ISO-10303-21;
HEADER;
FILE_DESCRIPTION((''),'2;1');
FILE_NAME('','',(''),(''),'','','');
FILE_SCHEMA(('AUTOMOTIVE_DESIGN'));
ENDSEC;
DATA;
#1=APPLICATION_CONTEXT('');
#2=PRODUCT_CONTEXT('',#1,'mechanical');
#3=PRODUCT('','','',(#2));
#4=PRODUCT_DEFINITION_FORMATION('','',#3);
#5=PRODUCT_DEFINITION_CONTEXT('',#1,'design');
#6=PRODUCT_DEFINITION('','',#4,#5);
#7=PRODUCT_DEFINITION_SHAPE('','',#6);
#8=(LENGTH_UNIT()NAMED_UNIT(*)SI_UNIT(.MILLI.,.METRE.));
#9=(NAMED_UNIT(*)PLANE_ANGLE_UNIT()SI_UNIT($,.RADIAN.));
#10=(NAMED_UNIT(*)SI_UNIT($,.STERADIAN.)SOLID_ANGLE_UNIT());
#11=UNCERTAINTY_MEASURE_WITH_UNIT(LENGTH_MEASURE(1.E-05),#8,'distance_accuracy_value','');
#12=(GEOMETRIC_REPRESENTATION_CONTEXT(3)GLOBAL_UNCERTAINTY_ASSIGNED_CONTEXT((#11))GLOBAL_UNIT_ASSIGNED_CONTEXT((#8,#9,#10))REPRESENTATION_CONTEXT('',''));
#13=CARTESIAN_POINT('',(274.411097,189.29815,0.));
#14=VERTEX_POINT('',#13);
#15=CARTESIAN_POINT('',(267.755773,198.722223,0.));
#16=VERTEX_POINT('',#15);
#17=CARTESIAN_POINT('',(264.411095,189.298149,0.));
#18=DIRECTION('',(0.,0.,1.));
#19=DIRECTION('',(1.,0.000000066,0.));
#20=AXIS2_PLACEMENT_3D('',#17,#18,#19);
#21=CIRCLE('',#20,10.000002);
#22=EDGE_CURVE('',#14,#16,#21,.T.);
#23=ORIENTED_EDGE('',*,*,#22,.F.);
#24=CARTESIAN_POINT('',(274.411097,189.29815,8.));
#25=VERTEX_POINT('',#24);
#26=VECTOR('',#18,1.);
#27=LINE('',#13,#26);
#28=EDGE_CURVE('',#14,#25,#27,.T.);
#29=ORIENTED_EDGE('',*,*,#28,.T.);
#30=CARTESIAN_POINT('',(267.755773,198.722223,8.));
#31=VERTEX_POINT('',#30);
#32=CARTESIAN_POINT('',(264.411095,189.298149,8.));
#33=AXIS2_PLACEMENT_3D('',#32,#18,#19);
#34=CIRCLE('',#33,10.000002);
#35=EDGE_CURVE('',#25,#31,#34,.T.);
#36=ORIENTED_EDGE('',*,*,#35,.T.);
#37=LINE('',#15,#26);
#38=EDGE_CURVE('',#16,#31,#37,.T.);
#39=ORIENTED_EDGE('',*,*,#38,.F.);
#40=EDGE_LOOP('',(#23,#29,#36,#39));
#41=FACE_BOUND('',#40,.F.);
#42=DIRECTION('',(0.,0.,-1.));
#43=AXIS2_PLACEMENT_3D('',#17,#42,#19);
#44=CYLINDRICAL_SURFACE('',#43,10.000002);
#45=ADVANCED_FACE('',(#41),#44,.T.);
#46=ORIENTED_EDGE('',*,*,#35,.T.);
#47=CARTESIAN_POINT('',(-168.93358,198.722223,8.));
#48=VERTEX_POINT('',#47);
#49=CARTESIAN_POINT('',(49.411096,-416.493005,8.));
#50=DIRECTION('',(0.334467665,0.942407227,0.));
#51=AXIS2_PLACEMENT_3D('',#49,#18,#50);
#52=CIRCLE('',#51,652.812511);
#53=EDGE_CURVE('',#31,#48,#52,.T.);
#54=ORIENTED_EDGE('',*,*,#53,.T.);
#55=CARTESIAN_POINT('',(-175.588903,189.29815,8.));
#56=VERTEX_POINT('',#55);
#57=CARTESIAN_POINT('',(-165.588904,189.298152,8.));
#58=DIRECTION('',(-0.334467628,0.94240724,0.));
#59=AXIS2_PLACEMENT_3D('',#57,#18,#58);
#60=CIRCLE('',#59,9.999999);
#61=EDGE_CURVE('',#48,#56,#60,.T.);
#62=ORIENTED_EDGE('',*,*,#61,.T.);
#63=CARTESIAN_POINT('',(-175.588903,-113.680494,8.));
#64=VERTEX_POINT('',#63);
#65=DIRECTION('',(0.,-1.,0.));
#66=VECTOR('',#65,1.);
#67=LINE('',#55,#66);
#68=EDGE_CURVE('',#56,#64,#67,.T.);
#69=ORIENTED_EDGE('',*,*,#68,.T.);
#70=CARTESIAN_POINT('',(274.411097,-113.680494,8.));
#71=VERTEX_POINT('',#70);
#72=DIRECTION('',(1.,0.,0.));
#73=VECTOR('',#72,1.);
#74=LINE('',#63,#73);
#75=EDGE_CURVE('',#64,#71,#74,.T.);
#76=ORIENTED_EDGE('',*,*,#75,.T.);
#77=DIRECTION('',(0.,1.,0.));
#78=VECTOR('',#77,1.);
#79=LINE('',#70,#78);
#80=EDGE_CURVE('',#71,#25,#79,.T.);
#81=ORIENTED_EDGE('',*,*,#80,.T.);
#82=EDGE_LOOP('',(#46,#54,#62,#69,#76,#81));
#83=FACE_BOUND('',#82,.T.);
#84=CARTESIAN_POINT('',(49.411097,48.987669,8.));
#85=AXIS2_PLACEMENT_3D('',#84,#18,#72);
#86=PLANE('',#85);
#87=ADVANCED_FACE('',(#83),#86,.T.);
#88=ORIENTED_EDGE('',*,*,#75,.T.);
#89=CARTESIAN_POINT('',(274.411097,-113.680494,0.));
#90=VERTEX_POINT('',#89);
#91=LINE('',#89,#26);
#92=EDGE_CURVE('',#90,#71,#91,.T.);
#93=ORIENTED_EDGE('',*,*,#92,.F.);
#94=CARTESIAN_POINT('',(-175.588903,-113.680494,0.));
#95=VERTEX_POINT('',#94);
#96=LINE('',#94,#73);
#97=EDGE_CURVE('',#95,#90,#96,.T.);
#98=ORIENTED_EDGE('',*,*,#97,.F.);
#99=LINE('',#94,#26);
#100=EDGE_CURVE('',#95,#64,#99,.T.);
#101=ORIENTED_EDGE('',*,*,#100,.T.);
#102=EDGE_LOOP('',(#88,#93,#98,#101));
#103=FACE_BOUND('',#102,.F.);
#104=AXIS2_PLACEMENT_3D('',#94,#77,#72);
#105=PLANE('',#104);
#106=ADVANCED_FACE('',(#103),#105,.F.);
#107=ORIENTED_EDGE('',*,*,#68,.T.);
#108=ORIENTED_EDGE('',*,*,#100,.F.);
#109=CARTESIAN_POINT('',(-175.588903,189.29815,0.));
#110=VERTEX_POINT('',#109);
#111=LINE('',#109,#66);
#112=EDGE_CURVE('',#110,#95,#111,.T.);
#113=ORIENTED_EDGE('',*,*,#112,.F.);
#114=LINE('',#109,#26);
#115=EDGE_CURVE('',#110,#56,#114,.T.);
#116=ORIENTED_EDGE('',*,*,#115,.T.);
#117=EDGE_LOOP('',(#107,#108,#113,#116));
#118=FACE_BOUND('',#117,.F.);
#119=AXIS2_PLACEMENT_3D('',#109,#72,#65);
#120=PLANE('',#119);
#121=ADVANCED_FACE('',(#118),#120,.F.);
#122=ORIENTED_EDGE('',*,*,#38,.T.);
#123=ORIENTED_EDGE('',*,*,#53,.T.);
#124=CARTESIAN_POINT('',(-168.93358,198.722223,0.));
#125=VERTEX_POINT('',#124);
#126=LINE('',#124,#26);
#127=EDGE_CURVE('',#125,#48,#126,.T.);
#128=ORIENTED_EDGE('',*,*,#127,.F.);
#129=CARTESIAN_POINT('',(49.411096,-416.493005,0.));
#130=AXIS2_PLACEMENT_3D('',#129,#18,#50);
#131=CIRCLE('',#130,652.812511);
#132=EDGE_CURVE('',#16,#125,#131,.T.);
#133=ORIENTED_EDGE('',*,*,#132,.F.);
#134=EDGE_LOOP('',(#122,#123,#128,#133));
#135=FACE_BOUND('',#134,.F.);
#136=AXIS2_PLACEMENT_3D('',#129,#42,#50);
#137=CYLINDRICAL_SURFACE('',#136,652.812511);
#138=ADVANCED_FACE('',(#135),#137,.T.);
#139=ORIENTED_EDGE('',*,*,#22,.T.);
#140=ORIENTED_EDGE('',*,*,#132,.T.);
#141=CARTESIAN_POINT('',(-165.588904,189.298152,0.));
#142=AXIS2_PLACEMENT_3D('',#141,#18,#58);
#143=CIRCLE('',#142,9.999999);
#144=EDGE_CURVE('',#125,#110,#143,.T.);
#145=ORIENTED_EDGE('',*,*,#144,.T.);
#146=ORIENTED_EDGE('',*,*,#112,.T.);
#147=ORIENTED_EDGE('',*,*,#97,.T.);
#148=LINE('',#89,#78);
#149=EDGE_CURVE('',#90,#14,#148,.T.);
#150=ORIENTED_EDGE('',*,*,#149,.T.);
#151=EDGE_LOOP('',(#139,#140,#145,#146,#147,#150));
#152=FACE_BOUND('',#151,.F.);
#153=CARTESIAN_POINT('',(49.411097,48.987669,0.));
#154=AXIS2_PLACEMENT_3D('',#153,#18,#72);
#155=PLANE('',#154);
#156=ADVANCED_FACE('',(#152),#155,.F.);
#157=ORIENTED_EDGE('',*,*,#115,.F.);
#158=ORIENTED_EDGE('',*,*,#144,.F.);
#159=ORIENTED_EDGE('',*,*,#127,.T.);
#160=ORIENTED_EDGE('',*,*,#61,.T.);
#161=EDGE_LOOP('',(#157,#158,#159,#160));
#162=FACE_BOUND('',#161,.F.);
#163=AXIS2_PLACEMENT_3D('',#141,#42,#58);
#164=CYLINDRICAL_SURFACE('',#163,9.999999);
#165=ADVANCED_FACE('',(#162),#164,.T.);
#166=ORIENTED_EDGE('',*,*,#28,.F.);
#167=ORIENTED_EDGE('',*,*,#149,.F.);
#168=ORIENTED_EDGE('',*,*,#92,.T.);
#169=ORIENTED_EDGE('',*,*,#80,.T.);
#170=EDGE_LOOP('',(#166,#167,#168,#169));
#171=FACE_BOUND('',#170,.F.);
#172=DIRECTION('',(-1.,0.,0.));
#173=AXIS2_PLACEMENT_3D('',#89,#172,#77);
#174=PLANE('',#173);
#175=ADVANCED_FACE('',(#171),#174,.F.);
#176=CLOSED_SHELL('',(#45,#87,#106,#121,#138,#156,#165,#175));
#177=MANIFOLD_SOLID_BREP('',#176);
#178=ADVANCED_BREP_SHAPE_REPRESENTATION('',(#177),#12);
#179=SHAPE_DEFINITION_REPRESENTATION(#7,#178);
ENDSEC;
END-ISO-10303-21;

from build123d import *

# Parameters (mm, degrees)
F1_DEPTH = 8


with BuildPart() as f1:
    # F0 (on Top) → F1 (new body)
    with BuildSketch(Plane.XY):
        with BuildLine():
            Line((-175.588903, 189.29815), (-175.588903, -113.680494))
            Line((-175.588903, -113.680494), (274.411097, -113.680494))
            Line((274.411097, -113.680494), (274.411097, 189.29815))
            ThreePointArc((274.411097, 189.29815), (272.579535, 195.066739), (267.755773, 198.722223))
            ThreePointArc((267.755773, 198.722223), (49.411097, 236.319506), (-168.93358, 198.722223))
            ThreePointArc((-168.93358, 198.722223), (-173.757342, 195.066739), (-175.588903, 189.29815))
        make_face()
    extrude(amount=F1_DEPTH)


solid = f1.part
